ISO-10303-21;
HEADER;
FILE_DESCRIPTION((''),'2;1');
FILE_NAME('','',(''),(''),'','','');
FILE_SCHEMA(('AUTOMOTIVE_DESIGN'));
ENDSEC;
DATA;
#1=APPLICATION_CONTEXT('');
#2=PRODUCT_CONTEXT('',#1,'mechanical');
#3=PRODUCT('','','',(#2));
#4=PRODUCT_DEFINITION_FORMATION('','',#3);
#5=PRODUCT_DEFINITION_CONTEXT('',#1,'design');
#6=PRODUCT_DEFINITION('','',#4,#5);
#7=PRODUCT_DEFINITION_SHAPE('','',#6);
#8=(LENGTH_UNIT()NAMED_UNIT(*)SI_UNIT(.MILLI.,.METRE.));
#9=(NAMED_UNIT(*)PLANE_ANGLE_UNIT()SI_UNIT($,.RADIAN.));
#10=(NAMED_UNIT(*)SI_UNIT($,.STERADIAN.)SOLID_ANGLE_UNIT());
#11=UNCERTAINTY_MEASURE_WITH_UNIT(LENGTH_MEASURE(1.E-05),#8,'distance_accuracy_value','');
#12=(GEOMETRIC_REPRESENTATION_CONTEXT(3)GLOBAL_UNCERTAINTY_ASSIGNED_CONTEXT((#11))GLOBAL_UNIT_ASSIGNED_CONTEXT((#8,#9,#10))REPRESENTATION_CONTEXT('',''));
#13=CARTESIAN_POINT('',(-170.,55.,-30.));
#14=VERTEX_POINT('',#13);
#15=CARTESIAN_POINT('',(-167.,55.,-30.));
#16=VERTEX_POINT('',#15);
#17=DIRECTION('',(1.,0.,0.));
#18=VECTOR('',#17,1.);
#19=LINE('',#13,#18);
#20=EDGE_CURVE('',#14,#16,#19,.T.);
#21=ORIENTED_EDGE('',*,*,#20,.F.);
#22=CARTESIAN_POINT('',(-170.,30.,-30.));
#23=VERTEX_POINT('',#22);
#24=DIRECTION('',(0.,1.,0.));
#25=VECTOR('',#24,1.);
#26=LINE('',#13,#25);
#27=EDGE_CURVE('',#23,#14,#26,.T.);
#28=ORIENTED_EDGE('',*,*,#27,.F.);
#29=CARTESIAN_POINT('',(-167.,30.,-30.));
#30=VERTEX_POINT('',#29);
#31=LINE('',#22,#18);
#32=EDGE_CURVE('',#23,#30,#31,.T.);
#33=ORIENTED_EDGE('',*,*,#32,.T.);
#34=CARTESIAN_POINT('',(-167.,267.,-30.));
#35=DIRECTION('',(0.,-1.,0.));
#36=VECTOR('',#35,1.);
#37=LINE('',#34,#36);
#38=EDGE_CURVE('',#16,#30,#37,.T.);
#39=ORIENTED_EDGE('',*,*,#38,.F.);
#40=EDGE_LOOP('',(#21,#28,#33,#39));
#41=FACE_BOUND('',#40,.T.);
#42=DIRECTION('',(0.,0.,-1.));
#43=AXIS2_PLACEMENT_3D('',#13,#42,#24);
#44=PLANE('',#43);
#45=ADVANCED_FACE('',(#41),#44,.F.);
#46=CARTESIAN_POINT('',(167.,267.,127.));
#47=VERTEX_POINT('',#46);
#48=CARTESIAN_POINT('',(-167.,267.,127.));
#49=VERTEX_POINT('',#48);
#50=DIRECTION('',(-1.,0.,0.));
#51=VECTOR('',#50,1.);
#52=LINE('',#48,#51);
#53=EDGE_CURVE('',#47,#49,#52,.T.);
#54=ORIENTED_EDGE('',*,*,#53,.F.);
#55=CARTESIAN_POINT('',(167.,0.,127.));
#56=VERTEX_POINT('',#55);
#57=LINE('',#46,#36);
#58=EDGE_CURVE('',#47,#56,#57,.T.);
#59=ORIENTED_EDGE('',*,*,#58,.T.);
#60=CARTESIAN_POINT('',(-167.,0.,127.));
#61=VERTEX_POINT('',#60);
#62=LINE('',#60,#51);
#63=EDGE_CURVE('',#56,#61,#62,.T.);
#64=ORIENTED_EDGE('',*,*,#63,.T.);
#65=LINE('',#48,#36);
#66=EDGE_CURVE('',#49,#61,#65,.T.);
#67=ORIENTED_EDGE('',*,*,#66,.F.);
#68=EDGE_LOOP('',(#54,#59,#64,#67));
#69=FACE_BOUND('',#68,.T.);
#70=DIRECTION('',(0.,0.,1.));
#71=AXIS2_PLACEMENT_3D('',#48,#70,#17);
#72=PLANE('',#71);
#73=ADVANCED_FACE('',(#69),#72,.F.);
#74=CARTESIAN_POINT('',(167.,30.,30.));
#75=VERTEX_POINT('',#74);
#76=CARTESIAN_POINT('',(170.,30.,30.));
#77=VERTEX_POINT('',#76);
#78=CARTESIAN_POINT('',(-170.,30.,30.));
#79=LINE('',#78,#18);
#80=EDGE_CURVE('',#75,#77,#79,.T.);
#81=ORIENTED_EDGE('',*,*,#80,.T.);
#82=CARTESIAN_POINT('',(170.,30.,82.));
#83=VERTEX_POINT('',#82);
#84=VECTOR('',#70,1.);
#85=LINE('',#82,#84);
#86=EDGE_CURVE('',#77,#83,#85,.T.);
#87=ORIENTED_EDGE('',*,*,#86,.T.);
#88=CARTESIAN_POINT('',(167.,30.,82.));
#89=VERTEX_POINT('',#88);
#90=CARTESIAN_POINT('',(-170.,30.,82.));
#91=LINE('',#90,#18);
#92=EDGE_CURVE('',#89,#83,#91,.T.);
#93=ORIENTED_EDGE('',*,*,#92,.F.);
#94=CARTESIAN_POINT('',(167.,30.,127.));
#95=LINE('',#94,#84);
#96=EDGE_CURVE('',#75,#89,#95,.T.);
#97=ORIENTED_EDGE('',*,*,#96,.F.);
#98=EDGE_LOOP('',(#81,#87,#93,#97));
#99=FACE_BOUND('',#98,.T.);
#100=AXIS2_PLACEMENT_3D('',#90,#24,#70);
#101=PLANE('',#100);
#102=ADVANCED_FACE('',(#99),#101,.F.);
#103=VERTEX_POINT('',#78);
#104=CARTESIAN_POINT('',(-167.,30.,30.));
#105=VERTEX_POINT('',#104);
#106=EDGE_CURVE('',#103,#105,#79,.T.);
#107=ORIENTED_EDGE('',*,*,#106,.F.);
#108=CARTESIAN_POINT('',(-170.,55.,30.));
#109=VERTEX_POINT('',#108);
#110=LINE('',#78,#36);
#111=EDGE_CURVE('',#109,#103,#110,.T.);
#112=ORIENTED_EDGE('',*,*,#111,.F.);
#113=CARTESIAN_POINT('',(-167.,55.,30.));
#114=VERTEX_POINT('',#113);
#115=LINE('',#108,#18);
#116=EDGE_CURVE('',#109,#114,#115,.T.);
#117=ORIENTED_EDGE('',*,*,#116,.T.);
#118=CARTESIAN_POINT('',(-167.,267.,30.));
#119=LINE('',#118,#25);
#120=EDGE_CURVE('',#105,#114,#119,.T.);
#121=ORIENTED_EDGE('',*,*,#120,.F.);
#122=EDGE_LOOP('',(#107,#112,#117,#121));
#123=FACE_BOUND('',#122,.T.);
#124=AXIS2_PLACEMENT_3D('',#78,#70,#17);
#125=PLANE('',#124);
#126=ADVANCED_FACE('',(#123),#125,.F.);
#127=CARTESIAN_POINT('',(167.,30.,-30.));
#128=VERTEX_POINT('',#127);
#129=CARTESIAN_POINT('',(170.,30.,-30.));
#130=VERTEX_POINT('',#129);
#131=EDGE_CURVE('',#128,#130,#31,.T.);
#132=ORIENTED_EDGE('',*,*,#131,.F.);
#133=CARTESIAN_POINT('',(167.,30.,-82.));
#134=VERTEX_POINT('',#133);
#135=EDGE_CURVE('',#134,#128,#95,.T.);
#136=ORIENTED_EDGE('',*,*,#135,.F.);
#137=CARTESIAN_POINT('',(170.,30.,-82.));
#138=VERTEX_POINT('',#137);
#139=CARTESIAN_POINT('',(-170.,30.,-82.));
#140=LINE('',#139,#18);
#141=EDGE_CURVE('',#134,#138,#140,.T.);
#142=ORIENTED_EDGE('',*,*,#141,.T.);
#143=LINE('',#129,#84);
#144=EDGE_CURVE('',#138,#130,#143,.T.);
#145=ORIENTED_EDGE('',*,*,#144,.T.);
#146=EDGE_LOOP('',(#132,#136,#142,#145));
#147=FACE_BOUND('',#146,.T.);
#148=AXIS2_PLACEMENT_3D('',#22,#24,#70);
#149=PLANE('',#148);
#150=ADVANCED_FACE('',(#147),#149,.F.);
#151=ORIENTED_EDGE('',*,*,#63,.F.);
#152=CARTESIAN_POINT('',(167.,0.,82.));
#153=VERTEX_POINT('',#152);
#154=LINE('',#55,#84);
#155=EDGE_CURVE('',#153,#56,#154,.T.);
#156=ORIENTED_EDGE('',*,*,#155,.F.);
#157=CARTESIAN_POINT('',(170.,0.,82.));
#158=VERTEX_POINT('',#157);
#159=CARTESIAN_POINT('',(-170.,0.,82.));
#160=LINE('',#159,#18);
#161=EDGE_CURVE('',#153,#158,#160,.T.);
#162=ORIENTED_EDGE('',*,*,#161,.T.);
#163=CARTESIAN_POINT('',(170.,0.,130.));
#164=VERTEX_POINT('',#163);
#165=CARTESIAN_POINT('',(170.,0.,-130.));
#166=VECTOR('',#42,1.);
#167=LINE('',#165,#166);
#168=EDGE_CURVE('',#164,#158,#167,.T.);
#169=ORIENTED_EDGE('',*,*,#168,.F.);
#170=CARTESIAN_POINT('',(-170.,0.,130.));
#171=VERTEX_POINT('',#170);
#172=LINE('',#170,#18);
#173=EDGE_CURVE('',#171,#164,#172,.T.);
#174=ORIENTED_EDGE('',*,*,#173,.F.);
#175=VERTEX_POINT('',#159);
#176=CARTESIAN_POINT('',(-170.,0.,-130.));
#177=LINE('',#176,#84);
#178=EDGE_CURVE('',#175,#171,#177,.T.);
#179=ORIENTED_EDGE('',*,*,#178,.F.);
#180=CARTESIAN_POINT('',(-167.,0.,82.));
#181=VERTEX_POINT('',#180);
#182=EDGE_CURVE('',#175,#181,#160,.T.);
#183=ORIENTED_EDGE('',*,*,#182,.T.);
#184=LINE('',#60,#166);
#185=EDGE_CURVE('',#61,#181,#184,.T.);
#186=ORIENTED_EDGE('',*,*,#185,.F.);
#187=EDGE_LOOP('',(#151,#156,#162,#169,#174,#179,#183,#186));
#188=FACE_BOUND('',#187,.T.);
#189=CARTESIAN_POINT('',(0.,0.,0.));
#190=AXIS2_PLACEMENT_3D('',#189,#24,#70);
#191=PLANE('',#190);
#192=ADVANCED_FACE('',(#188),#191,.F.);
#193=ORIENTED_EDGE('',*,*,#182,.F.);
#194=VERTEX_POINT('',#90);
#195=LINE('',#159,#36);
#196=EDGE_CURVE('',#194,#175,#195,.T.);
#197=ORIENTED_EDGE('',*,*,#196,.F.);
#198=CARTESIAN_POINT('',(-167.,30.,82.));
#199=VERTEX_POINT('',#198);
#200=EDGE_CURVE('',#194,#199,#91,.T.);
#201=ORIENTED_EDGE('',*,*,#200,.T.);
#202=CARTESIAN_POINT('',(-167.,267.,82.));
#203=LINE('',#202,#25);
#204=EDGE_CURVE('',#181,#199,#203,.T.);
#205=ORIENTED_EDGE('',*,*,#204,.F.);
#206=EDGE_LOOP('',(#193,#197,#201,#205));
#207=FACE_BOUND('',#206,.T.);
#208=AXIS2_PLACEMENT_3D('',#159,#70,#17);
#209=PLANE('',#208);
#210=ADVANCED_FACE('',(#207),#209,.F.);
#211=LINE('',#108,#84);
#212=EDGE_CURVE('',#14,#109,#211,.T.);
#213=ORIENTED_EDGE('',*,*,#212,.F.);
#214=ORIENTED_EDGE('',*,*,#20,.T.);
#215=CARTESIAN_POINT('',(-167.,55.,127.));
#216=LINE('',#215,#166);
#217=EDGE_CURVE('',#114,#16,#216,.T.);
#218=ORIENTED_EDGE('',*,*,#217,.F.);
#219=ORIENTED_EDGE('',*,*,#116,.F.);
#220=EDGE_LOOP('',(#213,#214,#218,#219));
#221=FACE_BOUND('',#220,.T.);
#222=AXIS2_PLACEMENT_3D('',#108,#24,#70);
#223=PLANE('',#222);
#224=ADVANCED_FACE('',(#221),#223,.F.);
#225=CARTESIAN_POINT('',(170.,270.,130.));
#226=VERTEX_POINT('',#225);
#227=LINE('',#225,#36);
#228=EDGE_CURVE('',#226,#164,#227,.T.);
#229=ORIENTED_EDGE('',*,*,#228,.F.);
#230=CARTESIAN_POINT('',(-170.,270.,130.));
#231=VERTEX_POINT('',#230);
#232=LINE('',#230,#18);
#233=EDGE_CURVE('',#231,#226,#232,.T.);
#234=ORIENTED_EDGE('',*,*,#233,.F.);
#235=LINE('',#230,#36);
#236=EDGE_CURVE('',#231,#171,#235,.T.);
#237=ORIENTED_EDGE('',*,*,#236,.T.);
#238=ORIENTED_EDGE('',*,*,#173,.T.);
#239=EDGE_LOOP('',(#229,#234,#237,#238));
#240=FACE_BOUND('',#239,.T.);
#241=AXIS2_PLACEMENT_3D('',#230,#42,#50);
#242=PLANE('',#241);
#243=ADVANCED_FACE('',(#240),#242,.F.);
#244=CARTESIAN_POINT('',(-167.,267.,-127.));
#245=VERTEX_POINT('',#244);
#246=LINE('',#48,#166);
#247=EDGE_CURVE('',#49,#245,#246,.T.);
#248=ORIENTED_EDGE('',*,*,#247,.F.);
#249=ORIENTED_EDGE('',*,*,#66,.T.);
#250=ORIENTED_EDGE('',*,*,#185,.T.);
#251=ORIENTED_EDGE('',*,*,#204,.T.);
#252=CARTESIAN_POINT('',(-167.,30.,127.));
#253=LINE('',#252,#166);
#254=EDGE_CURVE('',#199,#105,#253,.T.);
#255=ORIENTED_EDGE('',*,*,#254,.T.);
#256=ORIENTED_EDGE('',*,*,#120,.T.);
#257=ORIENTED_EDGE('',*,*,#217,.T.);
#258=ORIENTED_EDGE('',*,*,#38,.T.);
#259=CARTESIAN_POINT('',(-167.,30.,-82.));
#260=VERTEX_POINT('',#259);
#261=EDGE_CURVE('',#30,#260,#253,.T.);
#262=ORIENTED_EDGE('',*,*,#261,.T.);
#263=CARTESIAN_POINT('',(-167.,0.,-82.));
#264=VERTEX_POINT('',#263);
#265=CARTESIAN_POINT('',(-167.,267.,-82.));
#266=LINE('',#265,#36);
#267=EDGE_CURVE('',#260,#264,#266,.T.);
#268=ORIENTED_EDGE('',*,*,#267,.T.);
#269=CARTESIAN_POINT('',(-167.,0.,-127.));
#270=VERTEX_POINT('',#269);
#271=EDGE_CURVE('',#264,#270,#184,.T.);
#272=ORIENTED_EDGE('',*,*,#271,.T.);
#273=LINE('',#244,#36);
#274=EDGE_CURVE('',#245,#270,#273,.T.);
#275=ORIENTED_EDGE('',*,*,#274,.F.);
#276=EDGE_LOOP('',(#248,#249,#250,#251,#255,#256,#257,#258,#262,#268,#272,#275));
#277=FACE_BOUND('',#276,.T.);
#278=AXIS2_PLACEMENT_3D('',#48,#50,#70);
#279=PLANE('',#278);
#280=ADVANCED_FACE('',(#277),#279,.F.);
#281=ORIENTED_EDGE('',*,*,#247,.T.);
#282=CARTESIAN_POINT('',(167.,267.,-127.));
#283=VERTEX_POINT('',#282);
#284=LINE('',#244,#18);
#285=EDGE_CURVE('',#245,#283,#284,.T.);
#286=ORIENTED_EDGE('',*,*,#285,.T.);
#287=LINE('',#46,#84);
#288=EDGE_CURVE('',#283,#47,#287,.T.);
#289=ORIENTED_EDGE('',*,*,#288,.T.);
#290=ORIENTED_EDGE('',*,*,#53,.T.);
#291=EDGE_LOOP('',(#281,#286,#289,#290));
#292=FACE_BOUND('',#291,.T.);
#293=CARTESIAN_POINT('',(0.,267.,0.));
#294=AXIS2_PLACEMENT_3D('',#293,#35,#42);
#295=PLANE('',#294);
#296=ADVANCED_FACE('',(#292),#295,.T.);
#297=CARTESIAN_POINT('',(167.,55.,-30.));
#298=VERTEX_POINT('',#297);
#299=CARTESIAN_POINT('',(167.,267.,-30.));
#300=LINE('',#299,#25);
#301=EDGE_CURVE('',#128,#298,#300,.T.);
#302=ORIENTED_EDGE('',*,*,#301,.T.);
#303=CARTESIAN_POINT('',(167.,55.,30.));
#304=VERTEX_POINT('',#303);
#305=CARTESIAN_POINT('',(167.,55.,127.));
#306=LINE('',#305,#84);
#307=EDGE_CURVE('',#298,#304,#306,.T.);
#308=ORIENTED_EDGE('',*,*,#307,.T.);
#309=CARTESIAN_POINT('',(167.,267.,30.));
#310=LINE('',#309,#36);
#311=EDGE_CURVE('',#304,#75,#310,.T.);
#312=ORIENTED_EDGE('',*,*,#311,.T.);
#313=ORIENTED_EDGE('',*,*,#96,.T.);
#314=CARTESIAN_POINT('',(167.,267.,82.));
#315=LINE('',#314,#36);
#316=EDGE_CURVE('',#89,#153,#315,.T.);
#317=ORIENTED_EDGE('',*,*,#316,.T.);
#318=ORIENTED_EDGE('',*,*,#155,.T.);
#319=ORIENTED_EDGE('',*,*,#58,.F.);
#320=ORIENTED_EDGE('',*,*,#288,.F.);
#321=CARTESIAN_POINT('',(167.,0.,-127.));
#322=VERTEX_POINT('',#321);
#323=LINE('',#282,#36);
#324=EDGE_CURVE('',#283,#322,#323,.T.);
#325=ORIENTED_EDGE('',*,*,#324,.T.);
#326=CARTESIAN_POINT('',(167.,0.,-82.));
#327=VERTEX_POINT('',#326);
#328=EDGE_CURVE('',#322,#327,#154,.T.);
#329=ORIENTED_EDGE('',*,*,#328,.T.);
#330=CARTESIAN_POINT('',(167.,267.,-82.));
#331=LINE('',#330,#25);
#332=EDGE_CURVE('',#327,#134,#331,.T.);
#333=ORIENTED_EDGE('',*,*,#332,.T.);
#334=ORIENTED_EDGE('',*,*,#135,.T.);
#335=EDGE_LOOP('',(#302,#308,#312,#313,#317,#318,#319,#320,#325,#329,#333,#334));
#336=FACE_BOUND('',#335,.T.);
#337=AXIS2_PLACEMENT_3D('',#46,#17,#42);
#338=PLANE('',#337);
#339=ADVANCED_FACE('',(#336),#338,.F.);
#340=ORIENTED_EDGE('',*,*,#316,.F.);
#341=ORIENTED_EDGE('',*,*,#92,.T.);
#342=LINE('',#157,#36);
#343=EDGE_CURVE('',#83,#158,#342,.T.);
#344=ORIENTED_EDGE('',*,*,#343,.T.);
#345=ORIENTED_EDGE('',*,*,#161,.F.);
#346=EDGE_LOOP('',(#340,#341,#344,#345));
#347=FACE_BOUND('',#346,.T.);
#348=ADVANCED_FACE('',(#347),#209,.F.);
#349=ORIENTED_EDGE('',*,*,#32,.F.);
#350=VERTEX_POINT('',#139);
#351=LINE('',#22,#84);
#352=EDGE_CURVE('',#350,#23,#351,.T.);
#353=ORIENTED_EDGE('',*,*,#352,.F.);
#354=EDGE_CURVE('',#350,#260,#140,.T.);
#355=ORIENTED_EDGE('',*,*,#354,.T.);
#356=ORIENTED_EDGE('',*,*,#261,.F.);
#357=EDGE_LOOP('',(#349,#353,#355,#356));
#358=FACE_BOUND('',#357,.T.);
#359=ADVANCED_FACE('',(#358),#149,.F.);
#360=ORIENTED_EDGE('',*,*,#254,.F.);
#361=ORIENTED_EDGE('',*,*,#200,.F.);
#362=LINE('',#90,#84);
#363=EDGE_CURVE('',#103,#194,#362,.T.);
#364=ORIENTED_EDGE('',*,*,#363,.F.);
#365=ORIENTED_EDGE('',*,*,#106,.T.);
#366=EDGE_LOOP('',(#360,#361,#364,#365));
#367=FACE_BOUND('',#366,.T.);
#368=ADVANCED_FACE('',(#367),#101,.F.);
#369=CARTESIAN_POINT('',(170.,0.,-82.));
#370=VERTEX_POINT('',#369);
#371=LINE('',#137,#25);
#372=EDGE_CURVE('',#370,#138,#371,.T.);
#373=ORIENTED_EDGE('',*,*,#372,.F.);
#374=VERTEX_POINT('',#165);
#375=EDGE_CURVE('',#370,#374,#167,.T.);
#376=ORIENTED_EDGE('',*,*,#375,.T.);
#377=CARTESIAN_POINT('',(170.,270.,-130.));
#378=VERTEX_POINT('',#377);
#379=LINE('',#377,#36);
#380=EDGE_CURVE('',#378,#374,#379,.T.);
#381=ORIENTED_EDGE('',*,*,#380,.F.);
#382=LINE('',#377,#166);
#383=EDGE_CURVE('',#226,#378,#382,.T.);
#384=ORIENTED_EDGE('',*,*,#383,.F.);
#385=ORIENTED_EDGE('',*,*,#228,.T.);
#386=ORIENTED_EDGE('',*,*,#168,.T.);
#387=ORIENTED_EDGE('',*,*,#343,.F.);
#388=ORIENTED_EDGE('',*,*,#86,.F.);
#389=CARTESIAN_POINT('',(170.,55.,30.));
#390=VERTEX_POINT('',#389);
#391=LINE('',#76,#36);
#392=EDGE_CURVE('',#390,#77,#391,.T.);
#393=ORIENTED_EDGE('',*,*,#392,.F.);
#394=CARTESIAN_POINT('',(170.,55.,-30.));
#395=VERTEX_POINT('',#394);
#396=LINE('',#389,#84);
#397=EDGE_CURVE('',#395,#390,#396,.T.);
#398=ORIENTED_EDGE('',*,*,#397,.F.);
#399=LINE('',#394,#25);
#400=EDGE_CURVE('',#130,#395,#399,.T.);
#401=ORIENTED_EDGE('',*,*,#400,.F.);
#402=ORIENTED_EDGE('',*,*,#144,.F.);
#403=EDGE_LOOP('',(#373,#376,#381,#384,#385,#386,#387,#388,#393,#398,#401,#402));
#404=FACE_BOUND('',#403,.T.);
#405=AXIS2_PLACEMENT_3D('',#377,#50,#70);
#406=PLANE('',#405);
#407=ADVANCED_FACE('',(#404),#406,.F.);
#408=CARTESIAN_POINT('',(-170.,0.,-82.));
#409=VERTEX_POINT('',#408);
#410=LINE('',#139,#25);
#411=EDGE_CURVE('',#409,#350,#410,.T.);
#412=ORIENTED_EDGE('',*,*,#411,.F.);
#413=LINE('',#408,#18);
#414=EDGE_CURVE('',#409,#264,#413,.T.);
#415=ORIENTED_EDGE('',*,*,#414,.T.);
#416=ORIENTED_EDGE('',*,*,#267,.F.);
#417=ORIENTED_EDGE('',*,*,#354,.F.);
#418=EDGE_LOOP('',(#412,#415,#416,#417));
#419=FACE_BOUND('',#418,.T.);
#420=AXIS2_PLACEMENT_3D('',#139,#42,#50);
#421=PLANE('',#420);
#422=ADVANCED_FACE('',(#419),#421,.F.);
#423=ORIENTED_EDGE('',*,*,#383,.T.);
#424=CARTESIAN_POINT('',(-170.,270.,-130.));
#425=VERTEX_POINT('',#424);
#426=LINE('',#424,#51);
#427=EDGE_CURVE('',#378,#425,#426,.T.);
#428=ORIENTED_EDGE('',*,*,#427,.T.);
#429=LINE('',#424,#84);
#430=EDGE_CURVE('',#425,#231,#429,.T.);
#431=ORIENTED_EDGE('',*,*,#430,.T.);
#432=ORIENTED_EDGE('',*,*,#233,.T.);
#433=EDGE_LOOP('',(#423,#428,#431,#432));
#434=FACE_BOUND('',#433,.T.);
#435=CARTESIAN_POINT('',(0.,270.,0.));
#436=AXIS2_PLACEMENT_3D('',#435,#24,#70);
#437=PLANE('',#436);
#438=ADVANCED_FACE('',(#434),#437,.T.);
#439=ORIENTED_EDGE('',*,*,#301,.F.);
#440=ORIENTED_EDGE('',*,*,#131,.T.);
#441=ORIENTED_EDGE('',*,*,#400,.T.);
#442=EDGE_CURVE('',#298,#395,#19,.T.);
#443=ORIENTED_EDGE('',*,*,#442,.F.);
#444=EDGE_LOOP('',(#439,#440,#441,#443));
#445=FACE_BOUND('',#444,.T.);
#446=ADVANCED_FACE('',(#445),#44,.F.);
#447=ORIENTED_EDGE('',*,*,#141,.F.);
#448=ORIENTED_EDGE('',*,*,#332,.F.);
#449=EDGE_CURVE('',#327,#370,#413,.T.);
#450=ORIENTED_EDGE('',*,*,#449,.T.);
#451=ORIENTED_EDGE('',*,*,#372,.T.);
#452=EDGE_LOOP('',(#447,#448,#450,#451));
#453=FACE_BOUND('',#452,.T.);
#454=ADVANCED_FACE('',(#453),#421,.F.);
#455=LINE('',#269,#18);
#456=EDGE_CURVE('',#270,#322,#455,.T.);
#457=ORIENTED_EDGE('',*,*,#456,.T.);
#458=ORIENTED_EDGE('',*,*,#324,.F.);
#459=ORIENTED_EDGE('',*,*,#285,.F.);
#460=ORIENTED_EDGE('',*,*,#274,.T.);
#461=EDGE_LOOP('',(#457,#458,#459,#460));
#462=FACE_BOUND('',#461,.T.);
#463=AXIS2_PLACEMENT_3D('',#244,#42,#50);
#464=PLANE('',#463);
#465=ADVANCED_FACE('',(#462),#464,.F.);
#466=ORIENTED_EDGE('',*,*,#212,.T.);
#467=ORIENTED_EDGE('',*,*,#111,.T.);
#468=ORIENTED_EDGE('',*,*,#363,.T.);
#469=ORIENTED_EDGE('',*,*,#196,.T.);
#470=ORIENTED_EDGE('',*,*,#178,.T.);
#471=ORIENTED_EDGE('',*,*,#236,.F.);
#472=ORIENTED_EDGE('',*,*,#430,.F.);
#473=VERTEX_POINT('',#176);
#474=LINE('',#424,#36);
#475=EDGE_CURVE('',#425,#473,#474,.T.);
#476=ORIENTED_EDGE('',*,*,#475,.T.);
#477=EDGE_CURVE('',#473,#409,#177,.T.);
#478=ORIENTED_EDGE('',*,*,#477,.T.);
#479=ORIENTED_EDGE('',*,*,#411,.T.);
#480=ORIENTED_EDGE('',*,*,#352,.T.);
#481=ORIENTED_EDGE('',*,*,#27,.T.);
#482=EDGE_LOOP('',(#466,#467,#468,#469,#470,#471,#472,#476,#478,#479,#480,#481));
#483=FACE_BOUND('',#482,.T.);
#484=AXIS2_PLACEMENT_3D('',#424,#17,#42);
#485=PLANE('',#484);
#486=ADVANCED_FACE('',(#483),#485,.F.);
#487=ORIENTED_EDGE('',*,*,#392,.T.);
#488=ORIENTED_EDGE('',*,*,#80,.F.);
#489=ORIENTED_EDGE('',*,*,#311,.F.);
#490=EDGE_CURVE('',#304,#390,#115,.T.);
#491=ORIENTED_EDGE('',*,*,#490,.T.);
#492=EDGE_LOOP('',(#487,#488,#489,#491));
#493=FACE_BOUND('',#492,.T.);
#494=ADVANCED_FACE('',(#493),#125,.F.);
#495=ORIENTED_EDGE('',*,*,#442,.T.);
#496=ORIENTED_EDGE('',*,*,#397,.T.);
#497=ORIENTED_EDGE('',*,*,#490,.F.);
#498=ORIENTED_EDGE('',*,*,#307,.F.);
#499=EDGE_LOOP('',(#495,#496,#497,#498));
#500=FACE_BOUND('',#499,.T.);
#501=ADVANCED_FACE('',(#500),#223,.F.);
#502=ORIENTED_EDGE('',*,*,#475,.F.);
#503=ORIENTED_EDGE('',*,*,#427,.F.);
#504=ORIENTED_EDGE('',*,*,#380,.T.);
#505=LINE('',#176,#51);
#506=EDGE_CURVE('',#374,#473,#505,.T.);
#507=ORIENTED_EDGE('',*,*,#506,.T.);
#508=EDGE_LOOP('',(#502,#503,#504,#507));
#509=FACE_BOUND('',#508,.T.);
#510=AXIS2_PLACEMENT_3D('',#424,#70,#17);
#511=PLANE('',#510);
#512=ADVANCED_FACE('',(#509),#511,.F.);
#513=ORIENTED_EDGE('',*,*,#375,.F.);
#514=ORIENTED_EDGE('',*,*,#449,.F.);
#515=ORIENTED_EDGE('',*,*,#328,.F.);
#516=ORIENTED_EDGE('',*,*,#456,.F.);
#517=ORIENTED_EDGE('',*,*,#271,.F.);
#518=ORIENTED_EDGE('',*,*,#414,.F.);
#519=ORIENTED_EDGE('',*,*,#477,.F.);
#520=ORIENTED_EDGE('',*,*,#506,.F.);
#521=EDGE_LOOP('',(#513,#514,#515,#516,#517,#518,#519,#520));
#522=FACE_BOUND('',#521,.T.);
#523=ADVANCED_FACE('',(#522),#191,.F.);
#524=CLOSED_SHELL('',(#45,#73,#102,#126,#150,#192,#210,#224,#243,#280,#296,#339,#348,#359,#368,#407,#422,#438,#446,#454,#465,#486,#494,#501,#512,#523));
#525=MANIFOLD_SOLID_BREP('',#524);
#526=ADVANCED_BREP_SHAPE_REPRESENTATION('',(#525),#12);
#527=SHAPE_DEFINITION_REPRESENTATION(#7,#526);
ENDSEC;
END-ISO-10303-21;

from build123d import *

# Parameters (mm, degrees)
CROQUIS1_W              = 340
CROQUIS1_H              = 260
SALIENTE_EXTRUIR1_DEPTH = 270
CROQUIS2_W              = 334
CROQUIS2_H              = 254
CORTAR_EXTRUIR1_DEPTH   = 267
CORTAR_EXTRUIR2_DEPTH   = 341


with BuildPart() as part:
    # Croquis1 → Saliente-Extruir1 (new body)
    with BuildSketch(Plane(origin=(0, 0, 0), x_dir=(1, 0, 0), z_dir=(0, 1, 0))):
        Rectangle(CROQUIS1_W, CROQUIS1_H)
    extrude(amount=SALIENTE_EXTRUIR1_DEPTH)

    # Croquis2 → Cortar-Extruir1 (cut)
    with BuildSketch(Plane.XZ):
        Rectangle(CROQUIS2_W, CROQUIS2_H)
    extrude(amount=-CORTAR_EXTRUIR1_DEPTH, mode=Mode.SUBTRACT)

    # Croquis3 → Cortar-Extruir2 (cut, through all)
    with BuildSketch(Plane(origin=(170, 0, 0), x_dir=(0, 0, -1), z_dir=(1, 0, 0))):
        Polygon((0, 0), (-82, 0), (-82, 30), (-30, 30), (-30, 55), (30, 55), (30, 30), (82, 30), (82, 0), align=None)
    extrude(amount=-CORTAR_EXTRUIR2_DEPTH, mode=Mode.SUBTRACT)


solid = part.part
